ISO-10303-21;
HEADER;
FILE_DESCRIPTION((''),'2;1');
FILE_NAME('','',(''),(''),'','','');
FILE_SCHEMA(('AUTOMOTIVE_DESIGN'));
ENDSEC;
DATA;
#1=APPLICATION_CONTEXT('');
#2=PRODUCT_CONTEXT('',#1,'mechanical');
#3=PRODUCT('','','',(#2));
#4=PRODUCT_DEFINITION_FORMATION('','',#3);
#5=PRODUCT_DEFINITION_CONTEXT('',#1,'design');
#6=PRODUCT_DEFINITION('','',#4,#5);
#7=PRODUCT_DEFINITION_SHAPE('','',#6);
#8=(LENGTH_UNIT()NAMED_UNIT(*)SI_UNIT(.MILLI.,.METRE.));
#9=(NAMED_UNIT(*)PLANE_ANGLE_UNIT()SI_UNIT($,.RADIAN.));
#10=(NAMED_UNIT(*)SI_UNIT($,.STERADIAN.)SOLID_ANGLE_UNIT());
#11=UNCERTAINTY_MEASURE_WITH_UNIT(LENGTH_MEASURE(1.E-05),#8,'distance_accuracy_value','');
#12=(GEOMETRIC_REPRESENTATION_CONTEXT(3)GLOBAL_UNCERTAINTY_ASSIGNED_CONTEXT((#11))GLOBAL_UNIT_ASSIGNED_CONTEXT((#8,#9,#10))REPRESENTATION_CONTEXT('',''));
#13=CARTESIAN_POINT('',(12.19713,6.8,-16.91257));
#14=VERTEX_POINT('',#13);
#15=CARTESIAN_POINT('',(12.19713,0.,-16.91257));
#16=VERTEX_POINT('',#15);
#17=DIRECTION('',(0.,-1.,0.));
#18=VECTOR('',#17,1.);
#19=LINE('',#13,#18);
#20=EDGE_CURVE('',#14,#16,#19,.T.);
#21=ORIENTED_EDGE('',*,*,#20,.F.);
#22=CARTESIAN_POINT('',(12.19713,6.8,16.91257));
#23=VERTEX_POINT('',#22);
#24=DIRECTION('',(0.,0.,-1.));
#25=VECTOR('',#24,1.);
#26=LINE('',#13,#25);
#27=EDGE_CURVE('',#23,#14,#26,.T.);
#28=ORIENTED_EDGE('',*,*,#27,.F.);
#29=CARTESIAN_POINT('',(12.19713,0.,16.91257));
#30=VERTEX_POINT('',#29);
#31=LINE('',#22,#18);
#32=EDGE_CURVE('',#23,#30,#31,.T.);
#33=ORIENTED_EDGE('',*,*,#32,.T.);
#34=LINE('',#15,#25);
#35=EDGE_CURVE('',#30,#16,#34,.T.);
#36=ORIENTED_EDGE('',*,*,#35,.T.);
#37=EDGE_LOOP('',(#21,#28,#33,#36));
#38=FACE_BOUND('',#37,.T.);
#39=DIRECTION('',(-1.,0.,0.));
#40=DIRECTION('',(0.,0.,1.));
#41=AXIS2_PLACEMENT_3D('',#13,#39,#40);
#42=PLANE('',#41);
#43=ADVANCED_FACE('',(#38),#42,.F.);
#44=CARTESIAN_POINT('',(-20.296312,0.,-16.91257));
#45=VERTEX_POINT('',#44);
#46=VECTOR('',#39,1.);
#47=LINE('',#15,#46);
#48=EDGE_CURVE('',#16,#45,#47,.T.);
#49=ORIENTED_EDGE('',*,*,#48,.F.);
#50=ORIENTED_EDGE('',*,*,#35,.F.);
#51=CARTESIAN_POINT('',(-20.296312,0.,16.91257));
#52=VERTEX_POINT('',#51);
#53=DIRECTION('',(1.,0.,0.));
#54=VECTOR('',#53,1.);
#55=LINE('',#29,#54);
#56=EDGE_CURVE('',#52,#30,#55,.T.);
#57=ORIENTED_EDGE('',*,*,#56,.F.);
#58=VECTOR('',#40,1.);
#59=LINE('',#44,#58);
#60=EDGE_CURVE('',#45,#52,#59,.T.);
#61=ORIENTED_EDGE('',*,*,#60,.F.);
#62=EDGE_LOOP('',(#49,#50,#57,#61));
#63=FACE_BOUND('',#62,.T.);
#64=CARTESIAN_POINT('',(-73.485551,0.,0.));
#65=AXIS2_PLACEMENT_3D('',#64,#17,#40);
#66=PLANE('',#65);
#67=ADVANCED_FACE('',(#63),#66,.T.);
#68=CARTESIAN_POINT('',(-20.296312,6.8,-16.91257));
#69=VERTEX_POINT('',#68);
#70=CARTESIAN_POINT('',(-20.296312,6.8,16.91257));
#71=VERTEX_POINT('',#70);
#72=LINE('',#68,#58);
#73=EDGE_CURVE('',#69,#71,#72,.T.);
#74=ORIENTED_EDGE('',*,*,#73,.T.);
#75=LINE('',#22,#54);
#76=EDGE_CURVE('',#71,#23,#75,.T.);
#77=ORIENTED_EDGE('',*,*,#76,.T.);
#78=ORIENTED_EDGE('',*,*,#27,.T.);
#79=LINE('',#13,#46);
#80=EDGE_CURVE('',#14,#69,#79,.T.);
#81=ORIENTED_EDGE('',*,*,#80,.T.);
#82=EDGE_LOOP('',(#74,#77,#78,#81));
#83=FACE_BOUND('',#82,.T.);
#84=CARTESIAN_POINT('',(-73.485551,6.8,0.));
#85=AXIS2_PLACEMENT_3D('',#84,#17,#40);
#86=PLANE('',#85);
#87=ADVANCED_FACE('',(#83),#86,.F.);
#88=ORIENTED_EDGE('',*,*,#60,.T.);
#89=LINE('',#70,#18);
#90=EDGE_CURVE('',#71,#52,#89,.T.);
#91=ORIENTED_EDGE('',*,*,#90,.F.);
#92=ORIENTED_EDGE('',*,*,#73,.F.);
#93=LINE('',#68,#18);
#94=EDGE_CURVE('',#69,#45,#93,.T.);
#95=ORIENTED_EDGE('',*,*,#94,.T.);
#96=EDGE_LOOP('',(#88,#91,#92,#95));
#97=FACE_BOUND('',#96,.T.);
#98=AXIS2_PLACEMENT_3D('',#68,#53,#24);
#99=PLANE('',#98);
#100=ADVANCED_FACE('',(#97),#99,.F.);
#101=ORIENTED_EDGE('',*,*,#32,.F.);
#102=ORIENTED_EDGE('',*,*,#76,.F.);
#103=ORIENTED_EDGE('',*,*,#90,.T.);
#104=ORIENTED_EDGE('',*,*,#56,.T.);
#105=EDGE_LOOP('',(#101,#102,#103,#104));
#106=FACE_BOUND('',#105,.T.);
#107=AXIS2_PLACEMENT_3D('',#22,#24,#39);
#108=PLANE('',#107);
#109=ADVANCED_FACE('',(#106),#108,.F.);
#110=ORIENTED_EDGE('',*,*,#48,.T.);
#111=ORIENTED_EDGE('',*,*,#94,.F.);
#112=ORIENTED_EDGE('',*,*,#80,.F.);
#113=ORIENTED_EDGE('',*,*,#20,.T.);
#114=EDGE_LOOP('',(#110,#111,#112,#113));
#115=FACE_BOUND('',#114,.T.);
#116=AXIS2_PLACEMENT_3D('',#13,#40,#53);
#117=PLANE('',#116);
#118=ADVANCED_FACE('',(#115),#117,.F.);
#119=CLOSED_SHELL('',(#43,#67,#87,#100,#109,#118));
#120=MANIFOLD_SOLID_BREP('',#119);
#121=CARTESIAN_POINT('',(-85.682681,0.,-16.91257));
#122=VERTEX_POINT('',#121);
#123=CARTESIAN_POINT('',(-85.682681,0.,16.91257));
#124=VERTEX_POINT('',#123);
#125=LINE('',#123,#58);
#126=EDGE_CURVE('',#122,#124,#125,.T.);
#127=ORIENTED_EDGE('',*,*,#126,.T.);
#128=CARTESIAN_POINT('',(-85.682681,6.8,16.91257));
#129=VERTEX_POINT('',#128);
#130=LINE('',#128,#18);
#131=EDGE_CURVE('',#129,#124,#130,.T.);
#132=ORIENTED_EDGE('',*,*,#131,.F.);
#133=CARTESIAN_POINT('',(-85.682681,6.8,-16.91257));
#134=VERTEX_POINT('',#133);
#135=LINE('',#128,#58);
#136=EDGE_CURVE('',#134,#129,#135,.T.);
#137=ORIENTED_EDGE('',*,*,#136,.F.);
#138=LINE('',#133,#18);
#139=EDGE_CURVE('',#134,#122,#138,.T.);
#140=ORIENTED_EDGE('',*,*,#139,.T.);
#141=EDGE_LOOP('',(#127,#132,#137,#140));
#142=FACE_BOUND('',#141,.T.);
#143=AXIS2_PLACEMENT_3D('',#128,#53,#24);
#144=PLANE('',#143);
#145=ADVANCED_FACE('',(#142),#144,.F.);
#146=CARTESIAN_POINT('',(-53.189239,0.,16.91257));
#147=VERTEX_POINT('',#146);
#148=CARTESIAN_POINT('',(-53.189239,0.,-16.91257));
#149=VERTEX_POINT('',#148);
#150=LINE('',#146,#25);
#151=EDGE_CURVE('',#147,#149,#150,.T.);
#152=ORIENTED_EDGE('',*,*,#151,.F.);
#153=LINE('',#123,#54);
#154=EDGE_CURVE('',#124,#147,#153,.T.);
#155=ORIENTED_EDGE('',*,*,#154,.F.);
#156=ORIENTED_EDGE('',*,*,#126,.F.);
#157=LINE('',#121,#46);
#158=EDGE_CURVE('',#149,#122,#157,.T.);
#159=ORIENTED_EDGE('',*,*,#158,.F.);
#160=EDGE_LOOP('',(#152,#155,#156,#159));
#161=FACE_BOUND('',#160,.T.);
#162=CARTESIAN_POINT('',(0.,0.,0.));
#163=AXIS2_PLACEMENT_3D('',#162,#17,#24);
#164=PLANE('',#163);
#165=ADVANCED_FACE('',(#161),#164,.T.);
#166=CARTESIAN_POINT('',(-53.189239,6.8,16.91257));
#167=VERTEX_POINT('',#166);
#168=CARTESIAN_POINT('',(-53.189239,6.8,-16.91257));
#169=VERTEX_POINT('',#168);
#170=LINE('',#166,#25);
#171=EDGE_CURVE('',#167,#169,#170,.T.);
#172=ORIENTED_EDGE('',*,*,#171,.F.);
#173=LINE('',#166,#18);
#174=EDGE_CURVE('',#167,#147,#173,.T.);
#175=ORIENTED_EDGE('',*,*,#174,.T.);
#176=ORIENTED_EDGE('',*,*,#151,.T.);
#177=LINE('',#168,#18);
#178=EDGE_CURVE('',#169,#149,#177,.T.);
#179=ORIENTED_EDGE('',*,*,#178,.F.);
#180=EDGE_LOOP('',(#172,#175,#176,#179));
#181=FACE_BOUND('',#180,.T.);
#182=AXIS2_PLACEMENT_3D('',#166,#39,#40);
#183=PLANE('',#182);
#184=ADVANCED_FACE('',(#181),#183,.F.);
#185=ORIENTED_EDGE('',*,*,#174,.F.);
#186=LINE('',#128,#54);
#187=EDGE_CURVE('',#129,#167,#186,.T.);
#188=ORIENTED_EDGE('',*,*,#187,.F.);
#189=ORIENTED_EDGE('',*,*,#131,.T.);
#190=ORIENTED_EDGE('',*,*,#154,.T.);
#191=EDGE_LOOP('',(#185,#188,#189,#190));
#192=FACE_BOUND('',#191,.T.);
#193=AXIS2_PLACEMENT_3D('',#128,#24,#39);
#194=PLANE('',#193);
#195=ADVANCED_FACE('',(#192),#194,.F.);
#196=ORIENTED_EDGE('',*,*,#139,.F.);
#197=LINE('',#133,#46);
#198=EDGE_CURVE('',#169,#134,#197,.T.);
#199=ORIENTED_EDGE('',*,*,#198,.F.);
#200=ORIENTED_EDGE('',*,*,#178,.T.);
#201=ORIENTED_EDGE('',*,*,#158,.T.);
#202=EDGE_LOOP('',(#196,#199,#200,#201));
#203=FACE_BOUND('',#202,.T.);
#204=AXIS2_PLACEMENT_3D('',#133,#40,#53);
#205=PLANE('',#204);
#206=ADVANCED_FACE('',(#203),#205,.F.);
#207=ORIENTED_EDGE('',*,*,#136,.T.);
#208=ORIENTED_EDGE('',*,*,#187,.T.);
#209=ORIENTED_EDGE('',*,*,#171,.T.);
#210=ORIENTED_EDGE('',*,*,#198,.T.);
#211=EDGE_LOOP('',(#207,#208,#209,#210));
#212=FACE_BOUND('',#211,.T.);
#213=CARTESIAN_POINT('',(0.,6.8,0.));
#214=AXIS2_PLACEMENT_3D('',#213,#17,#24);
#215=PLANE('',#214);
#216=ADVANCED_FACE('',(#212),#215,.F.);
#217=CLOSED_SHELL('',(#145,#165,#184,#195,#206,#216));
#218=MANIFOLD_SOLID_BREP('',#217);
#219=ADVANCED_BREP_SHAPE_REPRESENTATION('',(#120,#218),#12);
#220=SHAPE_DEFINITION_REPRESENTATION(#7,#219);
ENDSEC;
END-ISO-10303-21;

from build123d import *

# Parameters (mm, degrees)
SKIZZE1_W                       = 32.493442011
SKIZZE1_H                       = 33.825140454
AUFSATZ_LINEAR_AUSTRAGEN1_DEPTH = 6.8
KREISMUSTER1_COUNT              = 2


with BuildPart() as part:
    # Skizze1 → Aufsatz-Linear austragen1 (new body)
    with BuildSketch(Plane(origin=(0, 0, 0), x_dir=(1, 0, 0), z_dir=(0, 1, 0))):
        with Locations((-69.435959861, 0)):
            Rectangle(SKIZZE1_W, SKIZZE1_H)
    extrude(amount=AUFSATZ_LINEAR_AUSTRAGEN1_DEPTH)


with BuildPart() as kreismuster1_1:
    # Kreismuster1: pattern copy
    add(part.part.rotate(Axis((-36.7427755, 0, 0), (0, 1, 0)), 1 * 360 / KREISMUSTER1_COUNT))


solid = Compound([part.part, kreismuster1_1.part])
